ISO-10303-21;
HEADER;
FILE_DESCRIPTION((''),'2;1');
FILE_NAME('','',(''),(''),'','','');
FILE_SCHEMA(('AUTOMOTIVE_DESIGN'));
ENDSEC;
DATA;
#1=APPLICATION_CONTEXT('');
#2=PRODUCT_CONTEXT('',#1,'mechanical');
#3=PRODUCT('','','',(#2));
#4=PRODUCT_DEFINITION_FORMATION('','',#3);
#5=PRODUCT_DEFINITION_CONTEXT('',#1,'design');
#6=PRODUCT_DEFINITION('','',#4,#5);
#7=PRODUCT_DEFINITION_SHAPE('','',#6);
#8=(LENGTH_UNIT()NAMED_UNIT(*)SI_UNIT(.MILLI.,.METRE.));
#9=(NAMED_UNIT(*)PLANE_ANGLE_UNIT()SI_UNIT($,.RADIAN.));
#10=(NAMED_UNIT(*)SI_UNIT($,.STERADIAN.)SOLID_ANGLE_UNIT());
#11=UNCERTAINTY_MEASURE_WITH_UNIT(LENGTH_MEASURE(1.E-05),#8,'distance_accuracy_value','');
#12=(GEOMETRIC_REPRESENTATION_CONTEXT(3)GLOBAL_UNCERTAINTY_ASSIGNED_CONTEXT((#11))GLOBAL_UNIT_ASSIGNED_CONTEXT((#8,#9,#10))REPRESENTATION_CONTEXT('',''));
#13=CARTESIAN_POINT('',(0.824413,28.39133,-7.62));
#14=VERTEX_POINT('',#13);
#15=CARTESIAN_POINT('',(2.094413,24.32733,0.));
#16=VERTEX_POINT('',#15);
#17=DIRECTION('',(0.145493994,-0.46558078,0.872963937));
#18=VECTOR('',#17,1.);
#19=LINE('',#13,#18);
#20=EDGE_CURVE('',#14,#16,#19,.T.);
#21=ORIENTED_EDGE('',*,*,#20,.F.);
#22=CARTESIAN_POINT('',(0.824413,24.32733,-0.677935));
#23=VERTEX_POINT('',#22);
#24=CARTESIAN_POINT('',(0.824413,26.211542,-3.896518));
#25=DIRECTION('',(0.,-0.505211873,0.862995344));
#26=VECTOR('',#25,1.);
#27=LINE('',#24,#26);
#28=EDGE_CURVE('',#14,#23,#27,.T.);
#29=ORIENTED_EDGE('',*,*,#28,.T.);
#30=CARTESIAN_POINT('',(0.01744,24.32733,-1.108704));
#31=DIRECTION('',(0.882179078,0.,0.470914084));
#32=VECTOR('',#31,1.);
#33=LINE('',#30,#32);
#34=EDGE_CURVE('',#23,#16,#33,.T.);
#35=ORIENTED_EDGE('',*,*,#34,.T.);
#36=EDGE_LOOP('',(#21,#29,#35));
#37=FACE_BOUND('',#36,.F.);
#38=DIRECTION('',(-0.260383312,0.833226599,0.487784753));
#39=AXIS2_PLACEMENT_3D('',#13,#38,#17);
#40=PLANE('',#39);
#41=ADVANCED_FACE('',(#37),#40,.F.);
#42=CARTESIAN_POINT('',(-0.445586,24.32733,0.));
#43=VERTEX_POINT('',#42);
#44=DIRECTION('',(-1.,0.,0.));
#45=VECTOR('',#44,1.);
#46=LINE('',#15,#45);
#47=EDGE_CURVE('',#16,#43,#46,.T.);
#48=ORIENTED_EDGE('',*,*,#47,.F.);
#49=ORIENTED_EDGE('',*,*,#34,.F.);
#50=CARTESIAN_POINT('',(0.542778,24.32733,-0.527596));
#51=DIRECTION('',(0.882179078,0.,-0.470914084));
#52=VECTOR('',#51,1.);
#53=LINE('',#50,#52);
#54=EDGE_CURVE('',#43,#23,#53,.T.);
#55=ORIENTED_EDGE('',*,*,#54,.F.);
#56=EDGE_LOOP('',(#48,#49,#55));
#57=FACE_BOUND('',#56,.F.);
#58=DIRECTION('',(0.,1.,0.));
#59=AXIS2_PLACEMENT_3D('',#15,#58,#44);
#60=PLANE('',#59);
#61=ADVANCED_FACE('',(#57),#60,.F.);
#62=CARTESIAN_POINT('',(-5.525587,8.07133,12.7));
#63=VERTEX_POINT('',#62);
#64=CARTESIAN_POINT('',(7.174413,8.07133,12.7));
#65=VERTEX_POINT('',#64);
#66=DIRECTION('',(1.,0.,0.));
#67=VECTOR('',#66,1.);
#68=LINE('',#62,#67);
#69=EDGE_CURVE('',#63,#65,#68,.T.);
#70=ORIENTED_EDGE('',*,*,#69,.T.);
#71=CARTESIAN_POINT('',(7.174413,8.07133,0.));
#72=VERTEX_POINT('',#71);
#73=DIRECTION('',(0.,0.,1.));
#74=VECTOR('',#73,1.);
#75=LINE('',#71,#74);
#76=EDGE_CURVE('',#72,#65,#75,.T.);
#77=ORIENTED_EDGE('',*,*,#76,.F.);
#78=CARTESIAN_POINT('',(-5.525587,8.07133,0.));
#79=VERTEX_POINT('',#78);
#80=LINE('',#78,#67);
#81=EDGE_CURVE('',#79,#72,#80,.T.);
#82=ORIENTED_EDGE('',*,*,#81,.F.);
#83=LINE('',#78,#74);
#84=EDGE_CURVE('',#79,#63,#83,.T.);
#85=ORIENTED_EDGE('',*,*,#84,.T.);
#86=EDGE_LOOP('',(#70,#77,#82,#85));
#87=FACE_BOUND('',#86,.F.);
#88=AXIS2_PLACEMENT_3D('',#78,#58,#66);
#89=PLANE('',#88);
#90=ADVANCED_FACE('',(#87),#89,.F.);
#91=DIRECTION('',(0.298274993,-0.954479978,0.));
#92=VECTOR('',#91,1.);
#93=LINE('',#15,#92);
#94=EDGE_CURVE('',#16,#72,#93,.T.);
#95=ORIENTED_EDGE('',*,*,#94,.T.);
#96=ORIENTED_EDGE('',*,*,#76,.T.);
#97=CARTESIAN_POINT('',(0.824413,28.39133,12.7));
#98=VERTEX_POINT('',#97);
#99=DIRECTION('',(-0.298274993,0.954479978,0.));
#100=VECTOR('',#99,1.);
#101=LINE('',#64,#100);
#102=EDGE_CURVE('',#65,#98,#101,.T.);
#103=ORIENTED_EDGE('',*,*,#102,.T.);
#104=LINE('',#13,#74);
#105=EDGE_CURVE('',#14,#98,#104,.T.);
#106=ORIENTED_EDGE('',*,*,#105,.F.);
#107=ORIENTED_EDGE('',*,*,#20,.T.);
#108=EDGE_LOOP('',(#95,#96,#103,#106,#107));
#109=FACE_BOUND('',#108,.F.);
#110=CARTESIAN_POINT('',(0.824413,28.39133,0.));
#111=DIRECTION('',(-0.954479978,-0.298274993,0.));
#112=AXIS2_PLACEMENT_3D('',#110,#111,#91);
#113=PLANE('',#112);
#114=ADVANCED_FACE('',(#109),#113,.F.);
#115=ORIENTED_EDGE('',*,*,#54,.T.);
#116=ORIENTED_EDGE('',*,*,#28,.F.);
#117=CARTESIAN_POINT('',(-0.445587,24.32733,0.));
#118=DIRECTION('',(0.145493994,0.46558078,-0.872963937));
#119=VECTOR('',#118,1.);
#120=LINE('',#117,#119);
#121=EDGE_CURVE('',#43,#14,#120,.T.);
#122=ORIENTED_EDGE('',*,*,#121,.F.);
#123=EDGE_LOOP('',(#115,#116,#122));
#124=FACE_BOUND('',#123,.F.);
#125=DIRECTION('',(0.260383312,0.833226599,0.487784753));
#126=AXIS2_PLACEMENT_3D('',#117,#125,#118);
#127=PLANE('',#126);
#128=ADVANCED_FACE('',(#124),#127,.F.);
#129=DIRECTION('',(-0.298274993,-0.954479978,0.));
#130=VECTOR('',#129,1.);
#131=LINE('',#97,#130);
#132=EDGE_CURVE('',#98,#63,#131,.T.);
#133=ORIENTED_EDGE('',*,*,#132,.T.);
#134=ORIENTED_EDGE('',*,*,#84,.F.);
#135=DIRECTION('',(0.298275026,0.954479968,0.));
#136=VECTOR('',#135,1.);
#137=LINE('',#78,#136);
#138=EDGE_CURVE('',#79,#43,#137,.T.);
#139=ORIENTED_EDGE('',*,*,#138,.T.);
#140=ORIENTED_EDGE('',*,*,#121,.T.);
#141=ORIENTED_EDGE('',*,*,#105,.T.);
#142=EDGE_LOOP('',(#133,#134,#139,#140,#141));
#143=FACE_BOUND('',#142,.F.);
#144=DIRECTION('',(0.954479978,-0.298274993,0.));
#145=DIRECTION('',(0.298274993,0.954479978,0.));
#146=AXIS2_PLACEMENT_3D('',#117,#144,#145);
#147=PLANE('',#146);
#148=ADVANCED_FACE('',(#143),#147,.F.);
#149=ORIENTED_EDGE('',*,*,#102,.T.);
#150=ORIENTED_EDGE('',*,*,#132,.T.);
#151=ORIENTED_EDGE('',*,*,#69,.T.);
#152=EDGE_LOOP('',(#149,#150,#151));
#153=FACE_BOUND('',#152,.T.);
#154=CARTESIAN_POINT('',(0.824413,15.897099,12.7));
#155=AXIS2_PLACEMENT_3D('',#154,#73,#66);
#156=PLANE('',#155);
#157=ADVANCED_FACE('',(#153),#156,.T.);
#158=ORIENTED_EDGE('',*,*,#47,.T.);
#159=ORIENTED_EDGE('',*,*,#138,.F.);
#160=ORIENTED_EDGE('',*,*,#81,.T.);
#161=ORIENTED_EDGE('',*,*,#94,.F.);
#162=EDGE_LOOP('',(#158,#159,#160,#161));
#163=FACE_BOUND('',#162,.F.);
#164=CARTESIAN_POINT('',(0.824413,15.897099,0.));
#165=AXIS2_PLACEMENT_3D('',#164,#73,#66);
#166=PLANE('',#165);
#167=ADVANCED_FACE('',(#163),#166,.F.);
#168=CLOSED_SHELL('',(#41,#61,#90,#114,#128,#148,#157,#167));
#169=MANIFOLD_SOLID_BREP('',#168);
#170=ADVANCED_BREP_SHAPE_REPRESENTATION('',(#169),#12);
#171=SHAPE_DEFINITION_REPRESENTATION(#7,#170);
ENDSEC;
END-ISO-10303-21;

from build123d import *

# Parameters (mm, degrees)
F1_DEPTH = 12.7
F3_DEPTH = 7.62
F5_DEPTH = 25.4
F7_DEPTH = 25.4


with BuildPart() as f1:
    # F0 (on Top) → F1 (new body)
    with BuildSketch(Plane.XY):
        Polygon((0.824413, 28.39133), (-5.525587, 8.07133), (7.174413, 8.07133), align=None)
    extrude(amount=F1_DEPTH)

    # F2 (on face) → F3 (join)
    with BuildSketch(Plane(origin=(0, 0, 0), x_dir=(1, 0, 0), z_dir=(0, 0, -1))):
        Polygon((2.094413, -24.32733), (-0.445587, -24.32733), (0.824413, -28.39133), align=None)
    extrude(amount=F3_DEPTH)

    # F4 (on face) → F5 (cut)
    with BuildSketch(Plane(origin=(-7.331874, 2.291211, 0), x_dir=(-0.298275, -0.95448, 0), z_dir=(-0.95448, 0.298275, 0))):
        Polygon((-23.087042, -7.62), (-23.087042, 0), (-27.344858, -7.62), align=None)
    extrude(amount=-F5_DEPTH, mode=Mode.SUBTRACT)

    # F6 (on face) → F7 (cut)
    with BuildSketch(Plane(origin=(8.834008, 2.760627, 0), x_dir=(-0.298275, 0.95448, 0), z_dir=(0.95448, 0.298275, 0))):
        Polygon((26.853055, -7.62), (22.595239, 0), (22.595239, -1.355872), align=None)
    extrude(amount=-F7_DEPTH, mode=Mode.SUBTRACT)


solid = f1.part
